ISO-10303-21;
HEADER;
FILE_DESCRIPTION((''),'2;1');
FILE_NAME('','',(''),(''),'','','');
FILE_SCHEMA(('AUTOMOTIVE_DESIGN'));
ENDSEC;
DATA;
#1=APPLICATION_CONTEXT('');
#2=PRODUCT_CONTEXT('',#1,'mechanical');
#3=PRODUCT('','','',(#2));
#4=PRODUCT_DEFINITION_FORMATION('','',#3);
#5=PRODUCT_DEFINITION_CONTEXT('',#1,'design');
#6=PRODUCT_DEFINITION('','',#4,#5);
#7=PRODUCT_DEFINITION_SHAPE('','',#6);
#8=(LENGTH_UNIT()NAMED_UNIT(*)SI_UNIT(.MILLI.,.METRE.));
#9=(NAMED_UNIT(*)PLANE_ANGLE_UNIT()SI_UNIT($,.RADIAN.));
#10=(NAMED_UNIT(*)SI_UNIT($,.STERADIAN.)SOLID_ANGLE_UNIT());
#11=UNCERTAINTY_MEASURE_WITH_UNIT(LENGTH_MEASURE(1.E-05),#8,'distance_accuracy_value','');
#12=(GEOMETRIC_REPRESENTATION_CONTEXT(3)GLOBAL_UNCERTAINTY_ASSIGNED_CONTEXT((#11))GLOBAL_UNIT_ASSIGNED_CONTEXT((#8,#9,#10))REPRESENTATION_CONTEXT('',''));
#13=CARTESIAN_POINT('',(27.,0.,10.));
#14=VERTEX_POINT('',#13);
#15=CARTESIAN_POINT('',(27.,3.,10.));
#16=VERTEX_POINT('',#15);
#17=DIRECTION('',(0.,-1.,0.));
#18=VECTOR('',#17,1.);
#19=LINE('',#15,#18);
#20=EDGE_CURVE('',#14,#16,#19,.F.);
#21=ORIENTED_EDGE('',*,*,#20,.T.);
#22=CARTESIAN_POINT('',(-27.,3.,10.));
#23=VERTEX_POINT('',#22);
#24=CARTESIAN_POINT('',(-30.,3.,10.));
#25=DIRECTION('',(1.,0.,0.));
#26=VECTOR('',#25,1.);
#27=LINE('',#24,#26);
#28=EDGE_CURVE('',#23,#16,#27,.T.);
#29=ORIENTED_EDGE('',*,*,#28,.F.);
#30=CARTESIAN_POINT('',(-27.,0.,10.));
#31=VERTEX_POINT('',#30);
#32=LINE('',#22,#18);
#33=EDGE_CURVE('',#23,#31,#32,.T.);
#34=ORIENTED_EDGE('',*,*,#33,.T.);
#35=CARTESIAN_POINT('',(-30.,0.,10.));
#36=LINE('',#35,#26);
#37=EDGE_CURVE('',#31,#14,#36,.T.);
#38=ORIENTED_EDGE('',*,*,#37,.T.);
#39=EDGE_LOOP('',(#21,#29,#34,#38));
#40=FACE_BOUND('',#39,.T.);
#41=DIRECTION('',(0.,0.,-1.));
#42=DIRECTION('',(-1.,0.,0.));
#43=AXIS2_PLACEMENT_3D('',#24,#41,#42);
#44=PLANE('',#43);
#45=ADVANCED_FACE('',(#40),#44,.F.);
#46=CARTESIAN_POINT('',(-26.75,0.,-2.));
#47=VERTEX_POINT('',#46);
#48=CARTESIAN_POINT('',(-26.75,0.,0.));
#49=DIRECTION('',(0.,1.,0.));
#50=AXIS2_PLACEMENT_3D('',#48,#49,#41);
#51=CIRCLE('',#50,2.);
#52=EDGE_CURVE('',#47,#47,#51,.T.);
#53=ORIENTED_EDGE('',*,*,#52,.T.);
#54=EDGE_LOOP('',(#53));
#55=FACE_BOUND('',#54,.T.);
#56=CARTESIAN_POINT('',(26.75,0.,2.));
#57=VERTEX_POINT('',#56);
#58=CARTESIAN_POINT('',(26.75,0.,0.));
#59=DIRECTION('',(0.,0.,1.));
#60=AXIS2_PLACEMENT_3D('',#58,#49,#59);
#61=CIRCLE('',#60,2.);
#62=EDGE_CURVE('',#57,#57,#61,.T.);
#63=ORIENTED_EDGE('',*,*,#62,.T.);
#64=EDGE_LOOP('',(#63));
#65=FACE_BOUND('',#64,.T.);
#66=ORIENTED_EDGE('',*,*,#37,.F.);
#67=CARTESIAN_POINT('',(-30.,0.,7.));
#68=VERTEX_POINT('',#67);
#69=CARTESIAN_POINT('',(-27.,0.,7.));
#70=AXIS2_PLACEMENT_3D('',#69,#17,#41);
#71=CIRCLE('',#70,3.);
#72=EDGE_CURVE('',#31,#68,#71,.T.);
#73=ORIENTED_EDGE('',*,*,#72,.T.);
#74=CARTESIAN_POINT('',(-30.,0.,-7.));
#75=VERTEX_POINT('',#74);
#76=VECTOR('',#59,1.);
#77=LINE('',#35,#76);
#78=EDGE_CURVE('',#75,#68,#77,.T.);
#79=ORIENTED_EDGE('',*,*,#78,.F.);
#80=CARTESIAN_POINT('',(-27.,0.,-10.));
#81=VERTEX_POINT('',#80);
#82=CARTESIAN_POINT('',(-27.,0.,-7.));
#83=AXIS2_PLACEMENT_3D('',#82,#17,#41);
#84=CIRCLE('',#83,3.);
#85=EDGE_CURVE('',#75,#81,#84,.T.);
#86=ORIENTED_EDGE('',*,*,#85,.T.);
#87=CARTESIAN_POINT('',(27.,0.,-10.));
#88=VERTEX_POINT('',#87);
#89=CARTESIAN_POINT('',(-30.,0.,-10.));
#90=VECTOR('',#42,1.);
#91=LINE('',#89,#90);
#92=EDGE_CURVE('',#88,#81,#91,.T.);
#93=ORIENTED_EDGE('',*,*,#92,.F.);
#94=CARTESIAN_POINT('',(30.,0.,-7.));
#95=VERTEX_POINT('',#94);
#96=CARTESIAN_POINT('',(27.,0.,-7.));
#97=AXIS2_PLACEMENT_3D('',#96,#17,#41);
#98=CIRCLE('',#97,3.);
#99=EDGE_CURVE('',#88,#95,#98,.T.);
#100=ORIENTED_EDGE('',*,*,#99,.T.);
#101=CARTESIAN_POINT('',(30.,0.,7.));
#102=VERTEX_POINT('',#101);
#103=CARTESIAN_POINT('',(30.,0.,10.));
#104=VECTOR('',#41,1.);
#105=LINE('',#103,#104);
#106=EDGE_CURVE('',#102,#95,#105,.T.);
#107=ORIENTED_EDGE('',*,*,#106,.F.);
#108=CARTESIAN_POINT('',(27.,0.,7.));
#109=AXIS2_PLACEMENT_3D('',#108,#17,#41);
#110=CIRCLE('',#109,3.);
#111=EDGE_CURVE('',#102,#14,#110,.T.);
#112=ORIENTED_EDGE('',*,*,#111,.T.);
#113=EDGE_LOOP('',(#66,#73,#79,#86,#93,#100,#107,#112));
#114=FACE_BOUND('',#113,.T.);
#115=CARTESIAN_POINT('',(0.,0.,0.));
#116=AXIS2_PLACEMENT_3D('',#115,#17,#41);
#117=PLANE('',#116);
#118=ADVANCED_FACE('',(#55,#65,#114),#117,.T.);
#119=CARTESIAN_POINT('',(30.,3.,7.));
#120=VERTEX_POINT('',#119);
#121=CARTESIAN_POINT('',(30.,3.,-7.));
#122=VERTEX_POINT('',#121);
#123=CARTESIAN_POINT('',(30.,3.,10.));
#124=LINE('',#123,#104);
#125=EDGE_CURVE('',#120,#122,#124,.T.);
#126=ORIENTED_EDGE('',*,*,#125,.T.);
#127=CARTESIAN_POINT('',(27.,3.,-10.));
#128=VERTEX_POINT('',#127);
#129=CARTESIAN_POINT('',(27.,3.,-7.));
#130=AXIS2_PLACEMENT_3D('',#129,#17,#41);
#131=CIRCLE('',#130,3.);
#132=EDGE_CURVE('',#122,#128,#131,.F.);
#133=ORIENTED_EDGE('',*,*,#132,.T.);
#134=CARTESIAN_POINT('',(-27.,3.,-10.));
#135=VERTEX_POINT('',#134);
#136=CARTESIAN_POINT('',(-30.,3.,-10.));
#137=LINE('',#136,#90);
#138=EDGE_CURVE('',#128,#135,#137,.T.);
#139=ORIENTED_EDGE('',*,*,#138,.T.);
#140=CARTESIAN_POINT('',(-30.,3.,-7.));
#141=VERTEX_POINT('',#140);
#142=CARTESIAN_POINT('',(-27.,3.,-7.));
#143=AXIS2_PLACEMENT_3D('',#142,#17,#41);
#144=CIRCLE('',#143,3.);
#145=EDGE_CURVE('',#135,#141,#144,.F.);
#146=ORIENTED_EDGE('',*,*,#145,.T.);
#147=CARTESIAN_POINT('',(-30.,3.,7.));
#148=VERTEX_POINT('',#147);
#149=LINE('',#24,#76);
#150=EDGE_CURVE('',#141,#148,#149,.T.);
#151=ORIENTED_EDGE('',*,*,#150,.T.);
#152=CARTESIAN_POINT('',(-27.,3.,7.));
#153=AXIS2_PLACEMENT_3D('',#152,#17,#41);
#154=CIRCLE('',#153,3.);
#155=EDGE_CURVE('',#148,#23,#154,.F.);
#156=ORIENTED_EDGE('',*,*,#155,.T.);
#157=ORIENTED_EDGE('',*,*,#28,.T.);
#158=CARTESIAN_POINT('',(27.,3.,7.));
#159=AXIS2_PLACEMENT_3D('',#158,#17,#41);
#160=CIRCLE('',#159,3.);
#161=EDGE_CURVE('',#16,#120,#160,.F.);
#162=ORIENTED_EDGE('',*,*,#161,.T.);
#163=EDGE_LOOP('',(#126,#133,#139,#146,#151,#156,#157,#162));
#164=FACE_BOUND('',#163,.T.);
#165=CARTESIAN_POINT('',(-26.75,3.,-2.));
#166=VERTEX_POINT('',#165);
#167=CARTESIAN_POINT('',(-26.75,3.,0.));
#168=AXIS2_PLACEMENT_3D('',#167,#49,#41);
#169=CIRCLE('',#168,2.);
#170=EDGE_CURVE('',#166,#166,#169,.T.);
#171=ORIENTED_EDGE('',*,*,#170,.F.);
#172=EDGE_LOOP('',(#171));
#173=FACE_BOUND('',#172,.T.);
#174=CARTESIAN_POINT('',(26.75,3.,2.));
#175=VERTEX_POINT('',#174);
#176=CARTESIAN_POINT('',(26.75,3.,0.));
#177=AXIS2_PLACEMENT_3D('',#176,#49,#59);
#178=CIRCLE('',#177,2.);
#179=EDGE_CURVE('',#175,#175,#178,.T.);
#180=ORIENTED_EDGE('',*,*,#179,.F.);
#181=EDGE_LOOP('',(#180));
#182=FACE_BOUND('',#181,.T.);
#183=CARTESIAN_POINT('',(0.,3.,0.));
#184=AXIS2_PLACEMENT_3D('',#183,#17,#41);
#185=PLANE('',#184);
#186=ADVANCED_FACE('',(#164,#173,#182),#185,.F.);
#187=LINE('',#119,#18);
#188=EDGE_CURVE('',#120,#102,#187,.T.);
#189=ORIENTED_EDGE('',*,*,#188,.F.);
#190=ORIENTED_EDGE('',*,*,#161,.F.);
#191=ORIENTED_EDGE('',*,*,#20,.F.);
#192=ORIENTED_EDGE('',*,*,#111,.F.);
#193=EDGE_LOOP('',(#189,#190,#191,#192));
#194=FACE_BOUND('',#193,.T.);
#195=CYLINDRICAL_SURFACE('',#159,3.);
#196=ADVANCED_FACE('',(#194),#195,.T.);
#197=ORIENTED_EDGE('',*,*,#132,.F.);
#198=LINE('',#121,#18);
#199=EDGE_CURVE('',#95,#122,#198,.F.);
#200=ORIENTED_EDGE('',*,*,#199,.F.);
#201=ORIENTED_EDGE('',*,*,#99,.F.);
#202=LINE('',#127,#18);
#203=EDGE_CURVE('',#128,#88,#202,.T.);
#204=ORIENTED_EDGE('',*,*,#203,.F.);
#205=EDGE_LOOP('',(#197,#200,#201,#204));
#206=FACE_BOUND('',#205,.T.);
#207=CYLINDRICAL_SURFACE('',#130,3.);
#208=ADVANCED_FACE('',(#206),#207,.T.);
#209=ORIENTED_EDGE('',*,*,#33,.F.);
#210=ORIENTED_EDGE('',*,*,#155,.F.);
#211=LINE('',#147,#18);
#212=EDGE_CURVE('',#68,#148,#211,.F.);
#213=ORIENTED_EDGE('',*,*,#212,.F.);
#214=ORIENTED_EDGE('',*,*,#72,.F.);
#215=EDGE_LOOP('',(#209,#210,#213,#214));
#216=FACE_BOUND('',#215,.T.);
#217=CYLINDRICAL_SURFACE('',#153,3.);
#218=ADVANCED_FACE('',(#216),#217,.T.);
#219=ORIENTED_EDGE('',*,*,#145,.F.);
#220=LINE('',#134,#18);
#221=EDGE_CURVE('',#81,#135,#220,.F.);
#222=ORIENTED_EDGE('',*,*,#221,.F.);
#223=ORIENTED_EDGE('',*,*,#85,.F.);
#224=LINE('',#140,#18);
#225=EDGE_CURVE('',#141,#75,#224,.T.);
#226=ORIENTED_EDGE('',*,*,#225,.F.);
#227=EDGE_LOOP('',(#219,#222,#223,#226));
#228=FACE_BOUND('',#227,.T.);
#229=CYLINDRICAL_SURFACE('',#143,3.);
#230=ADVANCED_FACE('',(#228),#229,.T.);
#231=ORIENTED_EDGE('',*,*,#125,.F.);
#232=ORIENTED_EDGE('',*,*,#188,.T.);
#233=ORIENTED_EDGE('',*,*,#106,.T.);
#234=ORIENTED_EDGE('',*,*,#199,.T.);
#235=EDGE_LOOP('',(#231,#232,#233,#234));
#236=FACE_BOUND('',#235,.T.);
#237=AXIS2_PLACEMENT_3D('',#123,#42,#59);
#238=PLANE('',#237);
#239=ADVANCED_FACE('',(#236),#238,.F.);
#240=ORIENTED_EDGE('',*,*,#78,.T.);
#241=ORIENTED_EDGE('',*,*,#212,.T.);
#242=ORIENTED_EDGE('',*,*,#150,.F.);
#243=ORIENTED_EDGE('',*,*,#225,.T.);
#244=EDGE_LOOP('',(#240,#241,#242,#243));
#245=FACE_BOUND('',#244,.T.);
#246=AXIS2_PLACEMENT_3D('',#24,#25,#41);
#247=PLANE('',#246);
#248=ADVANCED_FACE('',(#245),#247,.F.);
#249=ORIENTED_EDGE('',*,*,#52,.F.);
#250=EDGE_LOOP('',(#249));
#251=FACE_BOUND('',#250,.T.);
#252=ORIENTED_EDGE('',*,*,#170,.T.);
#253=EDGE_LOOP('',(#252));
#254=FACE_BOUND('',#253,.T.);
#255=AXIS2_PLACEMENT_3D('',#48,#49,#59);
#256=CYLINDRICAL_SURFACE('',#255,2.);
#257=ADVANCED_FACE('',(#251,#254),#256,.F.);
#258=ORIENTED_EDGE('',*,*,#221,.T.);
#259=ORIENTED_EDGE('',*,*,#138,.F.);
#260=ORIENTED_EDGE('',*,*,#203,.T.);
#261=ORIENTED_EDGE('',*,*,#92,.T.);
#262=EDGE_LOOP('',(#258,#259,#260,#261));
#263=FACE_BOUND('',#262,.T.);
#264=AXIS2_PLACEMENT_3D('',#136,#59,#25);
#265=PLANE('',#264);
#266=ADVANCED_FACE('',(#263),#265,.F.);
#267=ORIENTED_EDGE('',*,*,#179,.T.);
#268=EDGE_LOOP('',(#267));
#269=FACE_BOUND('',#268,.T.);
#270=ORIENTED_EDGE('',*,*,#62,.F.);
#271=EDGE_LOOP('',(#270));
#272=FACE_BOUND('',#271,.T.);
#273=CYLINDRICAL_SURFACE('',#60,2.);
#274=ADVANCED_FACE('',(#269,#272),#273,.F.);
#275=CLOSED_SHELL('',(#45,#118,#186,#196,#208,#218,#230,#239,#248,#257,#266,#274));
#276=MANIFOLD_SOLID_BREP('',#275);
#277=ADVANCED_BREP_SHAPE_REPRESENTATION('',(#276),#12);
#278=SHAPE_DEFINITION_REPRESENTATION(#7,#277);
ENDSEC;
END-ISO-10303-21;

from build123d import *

# Parameters (mm, degrees)
SKETCH_1_W          = 60
SKETCH_1_H          = 20
EXTRUDE_1_DEPTH     = 3
FILLET_1_R          = 3
SKETCH_2_R          = 2
CUT_EXTRUDE_1_DEPTH = 3


with BuildPart() as part:
    # Эскиз1 → Бобышка-Вытянуть1 (new body)
    with BuildSketch(Plane(origin=(0, 0, 0), x_dir=(1, 0, 0), z_dir=(0, 1, 0))):
        Rectangle(SKETCH_1_W, SKETCH_1_H)
    extrude(amount=EXTRUDE_1_DEPTH)

    # Скругление1
    fillet_1_edges = [part.edges().sort_by_distance(p)[0] for p in [
        (30, 1.5, 10),
        (-30, 1.5, 10),
        (-30, 1.5, -10),
        (30, 1.5, -10),
    ]]
    fillet(fillet_1_edges, radius=FILLET_1_R)

    # Эскиз2 → Вырез-Вытянуть1 (cut)
    with BuildSketch(Plane(origin=(0, 3, 0), x_dir=(1, 0, 0), z_dir=(0, 1, 0))):
        with Locations(Location((26.75, 0, 0), (0, 0, 270))):
            Circle(SKETCH_2_R)
        with Locations(Location((-26.75, 0, 0), (0, 0, 90))):
            Circle(SKETCH_2_R)
    extrude(amount=-CUT_EXTRUDE_1_DEPTH, mode=Mode.SUBTRACT)


solid = part.part
